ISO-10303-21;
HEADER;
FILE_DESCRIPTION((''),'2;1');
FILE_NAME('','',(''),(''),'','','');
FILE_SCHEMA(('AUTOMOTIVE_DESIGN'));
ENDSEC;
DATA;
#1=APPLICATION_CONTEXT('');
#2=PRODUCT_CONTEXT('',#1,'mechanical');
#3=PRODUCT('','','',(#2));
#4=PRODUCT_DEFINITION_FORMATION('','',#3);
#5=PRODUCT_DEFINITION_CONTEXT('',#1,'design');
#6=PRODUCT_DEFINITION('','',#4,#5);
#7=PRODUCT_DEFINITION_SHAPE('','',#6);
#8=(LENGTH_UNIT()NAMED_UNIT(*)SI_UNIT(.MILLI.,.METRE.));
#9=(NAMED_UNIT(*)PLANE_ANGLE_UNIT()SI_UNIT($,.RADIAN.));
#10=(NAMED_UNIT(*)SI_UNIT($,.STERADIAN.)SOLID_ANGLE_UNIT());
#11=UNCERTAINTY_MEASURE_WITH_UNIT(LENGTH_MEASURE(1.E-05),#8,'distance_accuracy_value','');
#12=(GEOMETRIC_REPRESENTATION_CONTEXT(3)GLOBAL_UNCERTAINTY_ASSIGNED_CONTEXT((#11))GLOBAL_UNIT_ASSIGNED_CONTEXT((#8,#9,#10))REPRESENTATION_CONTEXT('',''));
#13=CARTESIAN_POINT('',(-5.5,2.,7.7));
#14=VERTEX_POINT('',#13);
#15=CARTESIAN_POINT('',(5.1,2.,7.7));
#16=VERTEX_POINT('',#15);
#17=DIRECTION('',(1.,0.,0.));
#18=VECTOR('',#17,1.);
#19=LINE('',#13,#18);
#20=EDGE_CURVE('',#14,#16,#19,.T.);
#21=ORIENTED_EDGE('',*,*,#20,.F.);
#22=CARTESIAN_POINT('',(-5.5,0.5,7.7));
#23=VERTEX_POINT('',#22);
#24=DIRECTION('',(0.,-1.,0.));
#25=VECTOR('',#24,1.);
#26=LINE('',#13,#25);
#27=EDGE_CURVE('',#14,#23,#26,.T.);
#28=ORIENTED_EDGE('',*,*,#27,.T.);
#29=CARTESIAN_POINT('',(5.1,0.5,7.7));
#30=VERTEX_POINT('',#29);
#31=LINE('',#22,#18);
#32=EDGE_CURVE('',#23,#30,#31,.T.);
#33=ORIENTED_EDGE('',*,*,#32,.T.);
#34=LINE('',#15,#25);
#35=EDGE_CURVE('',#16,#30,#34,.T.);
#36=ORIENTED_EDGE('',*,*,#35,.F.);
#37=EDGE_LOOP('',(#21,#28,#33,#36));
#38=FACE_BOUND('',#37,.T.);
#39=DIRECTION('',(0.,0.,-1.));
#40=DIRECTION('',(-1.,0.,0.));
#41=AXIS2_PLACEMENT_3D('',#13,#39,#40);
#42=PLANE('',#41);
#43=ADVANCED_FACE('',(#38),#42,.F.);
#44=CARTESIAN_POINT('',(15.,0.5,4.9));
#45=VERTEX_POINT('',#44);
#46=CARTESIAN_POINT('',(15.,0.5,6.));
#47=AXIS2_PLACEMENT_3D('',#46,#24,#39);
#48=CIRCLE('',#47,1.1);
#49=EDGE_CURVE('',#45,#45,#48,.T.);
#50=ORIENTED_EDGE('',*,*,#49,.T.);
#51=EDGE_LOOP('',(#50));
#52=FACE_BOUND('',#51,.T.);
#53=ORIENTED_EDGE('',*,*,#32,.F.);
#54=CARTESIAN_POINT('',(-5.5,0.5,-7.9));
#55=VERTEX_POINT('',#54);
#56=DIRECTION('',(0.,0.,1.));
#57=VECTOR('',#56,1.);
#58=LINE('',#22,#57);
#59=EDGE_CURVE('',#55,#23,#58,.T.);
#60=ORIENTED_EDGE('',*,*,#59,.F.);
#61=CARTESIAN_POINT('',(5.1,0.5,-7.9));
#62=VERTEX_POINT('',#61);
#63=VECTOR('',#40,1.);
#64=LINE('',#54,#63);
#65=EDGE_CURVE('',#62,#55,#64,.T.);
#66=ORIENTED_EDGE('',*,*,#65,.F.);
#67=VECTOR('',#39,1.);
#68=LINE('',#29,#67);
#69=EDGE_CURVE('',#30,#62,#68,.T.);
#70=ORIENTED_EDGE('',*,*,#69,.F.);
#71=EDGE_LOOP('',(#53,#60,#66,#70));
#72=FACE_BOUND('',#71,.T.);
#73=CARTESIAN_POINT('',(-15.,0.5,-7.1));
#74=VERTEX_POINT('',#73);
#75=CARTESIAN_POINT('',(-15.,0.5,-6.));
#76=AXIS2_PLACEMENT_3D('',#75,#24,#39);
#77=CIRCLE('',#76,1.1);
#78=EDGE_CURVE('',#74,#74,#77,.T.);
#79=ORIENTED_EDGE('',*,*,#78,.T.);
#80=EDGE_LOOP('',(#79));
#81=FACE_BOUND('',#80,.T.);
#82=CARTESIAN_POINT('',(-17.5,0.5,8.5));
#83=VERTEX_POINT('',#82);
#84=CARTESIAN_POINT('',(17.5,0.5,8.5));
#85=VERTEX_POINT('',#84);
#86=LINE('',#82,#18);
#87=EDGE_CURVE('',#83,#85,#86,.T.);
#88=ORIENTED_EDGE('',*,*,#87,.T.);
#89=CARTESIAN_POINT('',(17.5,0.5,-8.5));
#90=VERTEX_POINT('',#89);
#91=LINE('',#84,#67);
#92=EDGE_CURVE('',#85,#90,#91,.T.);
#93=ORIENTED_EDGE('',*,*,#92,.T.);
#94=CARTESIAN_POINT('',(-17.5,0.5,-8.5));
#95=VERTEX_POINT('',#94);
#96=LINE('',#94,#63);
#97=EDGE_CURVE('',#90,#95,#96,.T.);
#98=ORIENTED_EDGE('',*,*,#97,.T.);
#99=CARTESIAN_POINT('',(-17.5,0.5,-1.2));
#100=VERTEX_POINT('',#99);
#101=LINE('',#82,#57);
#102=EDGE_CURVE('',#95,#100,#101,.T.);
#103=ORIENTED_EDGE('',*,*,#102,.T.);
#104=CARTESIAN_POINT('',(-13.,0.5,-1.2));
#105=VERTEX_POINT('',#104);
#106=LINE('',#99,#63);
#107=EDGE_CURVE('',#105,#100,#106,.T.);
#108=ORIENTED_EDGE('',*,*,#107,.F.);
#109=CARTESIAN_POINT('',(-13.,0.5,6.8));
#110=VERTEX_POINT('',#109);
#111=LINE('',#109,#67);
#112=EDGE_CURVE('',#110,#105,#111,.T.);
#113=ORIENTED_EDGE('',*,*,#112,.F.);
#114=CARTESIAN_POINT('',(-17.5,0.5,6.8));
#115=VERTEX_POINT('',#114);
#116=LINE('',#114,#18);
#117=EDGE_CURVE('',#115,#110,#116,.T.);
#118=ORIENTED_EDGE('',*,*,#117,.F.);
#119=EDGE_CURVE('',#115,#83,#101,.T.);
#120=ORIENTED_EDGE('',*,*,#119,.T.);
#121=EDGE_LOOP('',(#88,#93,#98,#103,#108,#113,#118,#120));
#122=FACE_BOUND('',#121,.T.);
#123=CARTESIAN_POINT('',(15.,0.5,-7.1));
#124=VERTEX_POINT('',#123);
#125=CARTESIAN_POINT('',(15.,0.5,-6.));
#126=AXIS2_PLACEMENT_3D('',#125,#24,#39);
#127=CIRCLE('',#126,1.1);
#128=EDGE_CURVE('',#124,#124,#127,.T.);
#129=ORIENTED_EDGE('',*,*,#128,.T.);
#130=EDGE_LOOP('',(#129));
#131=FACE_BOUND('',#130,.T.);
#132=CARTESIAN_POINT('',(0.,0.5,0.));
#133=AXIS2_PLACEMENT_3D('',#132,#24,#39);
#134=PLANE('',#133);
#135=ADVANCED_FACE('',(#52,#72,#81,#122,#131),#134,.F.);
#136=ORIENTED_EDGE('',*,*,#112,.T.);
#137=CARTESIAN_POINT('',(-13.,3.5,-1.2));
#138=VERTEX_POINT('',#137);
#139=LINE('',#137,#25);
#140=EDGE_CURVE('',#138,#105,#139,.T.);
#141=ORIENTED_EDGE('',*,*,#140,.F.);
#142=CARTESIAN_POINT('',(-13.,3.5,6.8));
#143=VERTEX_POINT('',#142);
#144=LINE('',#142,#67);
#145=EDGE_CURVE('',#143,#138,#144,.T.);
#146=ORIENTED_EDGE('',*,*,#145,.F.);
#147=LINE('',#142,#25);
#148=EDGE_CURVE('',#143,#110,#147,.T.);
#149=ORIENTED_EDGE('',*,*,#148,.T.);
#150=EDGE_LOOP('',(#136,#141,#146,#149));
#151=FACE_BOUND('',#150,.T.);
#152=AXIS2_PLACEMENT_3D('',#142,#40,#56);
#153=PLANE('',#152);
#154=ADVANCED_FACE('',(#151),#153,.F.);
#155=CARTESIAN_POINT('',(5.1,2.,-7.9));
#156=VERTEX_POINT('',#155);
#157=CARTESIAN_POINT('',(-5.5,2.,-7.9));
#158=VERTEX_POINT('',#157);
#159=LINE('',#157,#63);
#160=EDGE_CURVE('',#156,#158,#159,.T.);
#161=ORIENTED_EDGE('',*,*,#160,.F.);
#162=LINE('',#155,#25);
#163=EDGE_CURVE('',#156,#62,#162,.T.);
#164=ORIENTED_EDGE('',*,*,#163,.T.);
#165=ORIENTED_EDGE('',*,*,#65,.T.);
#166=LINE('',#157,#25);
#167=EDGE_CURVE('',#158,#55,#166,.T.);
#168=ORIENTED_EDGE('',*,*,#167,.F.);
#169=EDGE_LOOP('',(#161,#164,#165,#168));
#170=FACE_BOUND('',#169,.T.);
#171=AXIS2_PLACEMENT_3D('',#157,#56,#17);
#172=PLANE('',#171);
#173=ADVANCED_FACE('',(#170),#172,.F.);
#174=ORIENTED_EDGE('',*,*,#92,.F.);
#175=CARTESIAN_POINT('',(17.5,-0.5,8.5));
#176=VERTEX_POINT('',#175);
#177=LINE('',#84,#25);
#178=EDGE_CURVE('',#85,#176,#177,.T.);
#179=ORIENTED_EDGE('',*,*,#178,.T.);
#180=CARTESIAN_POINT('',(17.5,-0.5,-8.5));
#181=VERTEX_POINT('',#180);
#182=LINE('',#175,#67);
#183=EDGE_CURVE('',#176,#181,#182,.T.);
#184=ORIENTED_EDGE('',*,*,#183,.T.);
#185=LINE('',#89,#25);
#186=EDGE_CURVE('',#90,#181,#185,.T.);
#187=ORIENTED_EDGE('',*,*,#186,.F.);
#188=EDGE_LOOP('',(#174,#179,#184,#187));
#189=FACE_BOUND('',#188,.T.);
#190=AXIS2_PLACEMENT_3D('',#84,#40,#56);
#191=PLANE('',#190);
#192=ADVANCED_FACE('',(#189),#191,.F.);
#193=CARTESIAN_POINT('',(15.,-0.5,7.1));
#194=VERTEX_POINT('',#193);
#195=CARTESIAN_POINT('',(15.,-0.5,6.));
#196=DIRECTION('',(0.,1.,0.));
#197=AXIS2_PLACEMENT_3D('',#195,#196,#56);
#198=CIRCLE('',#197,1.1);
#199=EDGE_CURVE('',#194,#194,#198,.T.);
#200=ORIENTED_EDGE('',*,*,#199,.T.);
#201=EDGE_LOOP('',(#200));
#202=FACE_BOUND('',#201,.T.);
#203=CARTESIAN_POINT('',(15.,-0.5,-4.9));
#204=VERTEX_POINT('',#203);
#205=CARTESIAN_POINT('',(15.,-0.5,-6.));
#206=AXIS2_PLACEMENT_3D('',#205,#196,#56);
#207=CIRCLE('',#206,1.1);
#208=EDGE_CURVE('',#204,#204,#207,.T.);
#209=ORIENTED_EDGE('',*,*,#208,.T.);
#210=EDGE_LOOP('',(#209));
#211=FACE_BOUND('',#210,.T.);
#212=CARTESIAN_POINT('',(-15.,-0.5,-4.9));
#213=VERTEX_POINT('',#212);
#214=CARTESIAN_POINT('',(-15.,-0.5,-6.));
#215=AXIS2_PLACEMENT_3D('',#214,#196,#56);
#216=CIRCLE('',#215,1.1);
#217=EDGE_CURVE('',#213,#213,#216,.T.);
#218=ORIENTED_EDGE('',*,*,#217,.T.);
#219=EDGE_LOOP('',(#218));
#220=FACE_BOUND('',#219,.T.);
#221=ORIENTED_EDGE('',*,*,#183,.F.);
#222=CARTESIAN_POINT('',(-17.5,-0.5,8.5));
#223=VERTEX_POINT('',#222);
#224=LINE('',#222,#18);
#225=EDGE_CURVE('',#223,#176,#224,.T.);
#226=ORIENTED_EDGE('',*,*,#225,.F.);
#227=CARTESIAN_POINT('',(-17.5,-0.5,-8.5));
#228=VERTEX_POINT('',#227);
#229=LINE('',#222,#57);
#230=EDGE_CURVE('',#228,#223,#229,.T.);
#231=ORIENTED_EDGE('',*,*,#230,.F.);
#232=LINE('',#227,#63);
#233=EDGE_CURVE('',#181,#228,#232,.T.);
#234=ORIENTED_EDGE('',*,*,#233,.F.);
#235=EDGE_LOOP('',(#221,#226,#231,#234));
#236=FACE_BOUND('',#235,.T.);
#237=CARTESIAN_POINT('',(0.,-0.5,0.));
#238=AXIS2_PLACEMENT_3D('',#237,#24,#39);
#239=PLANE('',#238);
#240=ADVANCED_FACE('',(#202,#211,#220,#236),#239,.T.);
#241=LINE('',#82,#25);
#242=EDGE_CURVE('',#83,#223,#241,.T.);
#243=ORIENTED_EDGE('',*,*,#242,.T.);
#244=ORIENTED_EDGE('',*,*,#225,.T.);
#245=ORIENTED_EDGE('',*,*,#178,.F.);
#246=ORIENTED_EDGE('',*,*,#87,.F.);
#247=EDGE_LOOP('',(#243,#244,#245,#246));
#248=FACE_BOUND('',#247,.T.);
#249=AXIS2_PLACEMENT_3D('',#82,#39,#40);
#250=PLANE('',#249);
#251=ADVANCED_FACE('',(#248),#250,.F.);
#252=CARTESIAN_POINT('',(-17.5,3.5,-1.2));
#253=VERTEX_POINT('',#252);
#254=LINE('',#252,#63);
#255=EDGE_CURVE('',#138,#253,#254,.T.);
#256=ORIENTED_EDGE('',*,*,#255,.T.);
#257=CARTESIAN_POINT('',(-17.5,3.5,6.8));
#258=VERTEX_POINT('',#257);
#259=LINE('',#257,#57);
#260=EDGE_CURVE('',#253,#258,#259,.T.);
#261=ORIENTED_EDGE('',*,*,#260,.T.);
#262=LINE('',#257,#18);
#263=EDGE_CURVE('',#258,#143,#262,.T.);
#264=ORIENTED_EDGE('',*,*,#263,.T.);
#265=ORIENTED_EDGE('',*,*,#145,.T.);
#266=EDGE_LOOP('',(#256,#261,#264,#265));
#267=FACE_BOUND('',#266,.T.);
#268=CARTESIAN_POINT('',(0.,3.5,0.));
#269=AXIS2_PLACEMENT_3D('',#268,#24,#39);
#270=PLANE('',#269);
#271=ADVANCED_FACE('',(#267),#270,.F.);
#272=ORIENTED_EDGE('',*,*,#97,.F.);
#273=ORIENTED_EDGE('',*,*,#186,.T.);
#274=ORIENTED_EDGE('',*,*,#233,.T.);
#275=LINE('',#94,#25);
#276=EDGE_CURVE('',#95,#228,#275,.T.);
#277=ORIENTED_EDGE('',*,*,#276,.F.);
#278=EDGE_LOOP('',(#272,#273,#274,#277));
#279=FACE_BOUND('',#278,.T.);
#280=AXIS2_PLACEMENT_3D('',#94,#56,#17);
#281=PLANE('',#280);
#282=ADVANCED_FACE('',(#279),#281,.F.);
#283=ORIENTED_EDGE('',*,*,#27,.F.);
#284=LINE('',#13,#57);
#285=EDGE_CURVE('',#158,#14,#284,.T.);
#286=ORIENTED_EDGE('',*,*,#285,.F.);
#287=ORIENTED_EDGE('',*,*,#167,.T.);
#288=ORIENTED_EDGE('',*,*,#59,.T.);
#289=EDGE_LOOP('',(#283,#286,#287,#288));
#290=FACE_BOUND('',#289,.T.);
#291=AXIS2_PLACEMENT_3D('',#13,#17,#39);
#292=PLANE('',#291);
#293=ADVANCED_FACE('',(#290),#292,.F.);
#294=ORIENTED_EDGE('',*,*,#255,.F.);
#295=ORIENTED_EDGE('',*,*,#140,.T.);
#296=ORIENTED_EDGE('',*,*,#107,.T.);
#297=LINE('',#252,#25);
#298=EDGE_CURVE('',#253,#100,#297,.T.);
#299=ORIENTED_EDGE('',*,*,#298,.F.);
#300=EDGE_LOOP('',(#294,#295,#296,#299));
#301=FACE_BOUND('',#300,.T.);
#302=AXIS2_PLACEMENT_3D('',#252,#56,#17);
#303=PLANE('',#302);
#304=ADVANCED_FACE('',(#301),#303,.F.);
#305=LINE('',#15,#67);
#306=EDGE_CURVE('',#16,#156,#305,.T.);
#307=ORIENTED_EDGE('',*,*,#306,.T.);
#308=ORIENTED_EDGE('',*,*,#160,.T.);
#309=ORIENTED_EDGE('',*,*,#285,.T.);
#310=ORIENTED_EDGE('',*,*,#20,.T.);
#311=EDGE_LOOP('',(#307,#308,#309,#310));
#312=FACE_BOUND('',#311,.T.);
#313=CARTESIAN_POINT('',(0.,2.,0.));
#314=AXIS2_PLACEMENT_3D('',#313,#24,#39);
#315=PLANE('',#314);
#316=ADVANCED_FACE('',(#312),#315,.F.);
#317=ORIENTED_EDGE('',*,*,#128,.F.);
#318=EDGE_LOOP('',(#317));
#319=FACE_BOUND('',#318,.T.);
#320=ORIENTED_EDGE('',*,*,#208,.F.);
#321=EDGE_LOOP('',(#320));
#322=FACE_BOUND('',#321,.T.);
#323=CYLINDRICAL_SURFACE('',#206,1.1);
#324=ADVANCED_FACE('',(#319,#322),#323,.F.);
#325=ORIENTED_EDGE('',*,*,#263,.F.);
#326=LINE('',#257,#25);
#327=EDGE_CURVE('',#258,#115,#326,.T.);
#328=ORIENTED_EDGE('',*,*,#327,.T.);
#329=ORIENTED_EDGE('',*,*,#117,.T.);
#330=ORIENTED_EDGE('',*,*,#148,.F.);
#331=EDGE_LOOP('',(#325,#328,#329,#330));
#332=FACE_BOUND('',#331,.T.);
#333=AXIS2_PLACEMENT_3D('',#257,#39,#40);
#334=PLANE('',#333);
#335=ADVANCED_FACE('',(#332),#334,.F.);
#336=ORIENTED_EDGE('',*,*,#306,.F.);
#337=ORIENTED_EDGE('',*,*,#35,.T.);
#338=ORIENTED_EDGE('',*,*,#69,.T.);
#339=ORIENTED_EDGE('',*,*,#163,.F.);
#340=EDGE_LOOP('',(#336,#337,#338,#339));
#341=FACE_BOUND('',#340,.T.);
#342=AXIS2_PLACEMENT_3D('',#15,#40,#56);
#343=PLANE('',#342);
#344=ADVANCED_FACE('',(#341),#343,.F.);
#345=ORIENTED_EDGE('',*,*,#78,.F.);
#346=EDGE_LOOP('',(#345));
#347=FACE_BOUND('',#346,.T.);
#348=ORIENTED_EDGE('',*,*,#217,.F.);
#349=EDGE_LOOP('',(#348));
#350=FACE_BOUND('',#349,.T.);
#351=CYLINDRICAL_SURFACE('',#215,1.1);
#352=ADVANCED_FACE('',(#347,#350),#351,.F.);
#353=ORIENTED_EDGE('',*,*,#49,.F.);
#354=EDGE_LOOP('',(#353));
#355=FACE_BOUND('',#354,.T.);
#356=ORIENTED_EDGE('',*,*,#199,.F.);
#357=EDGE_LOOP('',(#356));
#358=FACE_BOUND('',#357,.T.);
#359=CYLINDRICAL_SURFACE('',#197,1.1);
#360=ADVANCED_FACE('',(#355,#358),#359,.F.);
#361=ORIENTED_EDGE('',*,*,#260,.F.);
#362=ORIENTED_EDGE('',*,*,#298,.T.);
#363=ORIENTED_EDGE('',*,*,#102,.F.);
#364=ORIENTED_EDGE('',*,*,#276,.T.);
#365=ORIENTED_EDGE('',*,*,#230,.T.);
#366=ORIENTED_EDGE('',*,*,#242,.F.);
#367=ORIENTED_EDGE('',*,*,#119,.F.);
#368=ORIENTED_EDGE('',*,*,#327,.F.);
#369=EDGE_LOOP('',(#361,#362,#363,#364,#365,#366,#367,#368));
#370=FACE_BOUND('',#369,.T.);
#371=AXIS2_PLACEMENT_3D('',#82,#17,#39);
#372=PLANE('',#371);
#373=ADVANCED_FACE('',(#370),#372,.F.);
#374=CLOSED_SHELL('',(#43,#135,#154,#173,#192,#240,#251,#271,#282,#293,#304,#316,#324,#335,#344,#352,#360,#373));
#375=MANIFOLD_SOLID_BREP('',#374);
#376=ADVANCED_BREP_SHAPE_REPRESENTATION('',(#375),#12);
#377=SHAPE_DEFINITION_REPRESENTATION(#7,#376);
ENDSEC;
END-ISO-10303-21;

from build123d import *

# Parameters (mm, degrees)
SKETCH1_W               = 35
SKETCH1_H               = 17
BOSS_EXTRUDE1_DEPTH     = 0.5
SKETCH2_W               = 4.5
SKETCH2_H               = 8
BOSS_EXTRUDE2_DEPTH     = 3
SKETCH3_W               = 10.6
SKETCH3_H               = 15.6
BOSS_EXTRUDE3_DEPTH     = 1.5
CUT_EXTRUDE1_DEPTH      = 20.685019685
CUT_EXTRUDE1_DEPTH_BACK = 20.685019685
SKETCH4_R               = 1.1


with BuildPart() as part:
    # Sketch1 → Boss-Extrude1 (new, symmetric)
    with BuildSketch(Plane(origin=(0, 0, 0), x_dir=(1, 0, 0), z_dir=(0, 1, 0))):
        Rectangle(SKETCH1_W, SKETCH1_H)
    extrude(amount=BOSS_EXTRUDE1_DEPTH, both=True)

    # Sketch2 → Boss-Extrude2 (add)
    with BuildSketch(Plane(origin=(0, 0.5, 0), x_dir=(1, 0, 0), z_dir=(0, 1, 0))):
        with Locations((-15.25, -2.8)):
            Rectangle(SKETCH2_W, SKETCH2_H)
    extrude(amount=BOSS_EXTRUDE2_DEPTH)

    # Sketch3 → Boss-Extrude3 (add)
    with BuildSketch(Plane(origin=(0, 0.5, 0), x_dir=(1, 0, 0), z_dir=(0, 1, 0))):
        with Locations((-0.2, 0.1)):
            Rectangle(SKETCH3_W, SKETCH3_H)
    extrude(amount=BOSS_EXTRUDE3_DEPTH)

    # Sketch4 → Cut-Extrude1 (cut, two sides: drawn at the far end of the back side and taken through both)
    with BuildSketch(Plane(origin=(0, 0.5, 0), x_dir=(1, 0, 0), z_dir=(0, 1, 0)).offset(-CUT_EXTRUDE1_DEPTH_BACK)):
        with Locations(Location((15, 6, 0), (0, 0, 270))):
            Circle(SKETCH4_R)
        with Locations(Location((15, -6, 0), (0, 0, 270))):
            Circle(SKETCH4_R)
        with Locations(Location((-15, 6, 0), (0, 0, 270))):
            Circle(SKETCH4_R)
    extrude(amount=CUT_EXTRUDE1_DEPTH + CUT_EXTRUDE1_DEPTH_BACK, mode=Mode.SUBTRACT)


solid = part.part
